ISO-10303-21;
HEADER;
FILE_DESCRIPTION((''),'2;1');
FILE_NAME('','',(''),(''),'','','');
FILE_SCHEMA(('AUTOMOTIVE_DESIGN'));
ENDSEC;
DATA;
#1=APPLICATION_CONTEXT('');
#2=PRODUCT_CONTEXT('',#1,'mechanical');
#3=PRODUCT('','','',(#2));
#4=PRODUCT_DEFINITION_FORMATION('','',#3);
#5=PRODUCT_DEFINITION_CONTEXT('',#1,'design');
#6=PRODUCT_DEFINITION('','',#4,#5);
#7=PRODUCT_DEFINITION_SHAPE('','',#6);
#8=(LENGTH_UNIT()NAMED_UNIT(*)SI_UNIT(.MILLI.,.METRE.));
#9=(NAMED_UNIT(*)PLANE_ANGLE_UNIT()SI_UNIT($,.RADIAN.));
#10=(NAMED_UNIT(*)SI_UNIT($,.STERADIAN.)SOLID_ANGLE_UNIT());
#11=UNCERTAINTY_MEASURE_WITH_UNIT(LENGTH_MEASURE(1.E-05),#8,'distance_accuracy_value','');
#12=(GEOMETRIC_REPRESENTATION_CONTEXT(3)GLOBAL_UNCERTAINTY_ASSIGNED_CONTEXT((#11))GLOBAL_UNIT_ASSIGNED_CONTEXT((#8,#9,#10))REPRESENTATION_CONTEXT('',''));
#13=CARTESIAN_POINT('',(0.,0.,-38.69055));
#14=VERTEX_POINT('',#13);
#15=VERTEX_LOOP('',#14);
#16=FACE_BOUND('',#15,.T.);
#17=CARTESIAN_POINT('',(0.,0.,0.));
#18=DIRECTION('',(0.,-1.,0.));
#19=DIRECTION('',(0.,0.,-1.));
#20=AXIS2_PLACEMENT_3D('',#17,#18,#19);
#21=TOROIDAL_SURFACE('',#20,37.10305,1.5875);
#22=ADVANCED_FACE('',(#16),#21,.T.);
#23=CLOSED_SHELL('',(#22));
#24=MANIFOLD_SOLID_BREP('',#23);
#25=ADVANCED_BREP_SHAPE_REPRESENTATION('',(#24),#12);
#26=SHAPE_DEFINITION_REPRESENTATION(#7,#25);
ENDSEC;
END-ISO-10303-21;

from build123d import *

# Parameters (mm, degrees)
SKETCH1_R = 1.5875


with BuildPart() as part:
    # Sketch1 → Revolve1 (revolve)
    with BuildSketch(Plane.XY, mode=Mode.PRIVATE) as revolve1_sk:
        with Locations((-37.10305, 0)):
            Circle(SKETCH1_R)
    revolve(revolve1_sk.sketch.rotate(Axis((0, 0, 0), (0, 1, 0)), 270), axis=Axis((0, 0, 0), (0, 1, 0)))


solid = part.part
